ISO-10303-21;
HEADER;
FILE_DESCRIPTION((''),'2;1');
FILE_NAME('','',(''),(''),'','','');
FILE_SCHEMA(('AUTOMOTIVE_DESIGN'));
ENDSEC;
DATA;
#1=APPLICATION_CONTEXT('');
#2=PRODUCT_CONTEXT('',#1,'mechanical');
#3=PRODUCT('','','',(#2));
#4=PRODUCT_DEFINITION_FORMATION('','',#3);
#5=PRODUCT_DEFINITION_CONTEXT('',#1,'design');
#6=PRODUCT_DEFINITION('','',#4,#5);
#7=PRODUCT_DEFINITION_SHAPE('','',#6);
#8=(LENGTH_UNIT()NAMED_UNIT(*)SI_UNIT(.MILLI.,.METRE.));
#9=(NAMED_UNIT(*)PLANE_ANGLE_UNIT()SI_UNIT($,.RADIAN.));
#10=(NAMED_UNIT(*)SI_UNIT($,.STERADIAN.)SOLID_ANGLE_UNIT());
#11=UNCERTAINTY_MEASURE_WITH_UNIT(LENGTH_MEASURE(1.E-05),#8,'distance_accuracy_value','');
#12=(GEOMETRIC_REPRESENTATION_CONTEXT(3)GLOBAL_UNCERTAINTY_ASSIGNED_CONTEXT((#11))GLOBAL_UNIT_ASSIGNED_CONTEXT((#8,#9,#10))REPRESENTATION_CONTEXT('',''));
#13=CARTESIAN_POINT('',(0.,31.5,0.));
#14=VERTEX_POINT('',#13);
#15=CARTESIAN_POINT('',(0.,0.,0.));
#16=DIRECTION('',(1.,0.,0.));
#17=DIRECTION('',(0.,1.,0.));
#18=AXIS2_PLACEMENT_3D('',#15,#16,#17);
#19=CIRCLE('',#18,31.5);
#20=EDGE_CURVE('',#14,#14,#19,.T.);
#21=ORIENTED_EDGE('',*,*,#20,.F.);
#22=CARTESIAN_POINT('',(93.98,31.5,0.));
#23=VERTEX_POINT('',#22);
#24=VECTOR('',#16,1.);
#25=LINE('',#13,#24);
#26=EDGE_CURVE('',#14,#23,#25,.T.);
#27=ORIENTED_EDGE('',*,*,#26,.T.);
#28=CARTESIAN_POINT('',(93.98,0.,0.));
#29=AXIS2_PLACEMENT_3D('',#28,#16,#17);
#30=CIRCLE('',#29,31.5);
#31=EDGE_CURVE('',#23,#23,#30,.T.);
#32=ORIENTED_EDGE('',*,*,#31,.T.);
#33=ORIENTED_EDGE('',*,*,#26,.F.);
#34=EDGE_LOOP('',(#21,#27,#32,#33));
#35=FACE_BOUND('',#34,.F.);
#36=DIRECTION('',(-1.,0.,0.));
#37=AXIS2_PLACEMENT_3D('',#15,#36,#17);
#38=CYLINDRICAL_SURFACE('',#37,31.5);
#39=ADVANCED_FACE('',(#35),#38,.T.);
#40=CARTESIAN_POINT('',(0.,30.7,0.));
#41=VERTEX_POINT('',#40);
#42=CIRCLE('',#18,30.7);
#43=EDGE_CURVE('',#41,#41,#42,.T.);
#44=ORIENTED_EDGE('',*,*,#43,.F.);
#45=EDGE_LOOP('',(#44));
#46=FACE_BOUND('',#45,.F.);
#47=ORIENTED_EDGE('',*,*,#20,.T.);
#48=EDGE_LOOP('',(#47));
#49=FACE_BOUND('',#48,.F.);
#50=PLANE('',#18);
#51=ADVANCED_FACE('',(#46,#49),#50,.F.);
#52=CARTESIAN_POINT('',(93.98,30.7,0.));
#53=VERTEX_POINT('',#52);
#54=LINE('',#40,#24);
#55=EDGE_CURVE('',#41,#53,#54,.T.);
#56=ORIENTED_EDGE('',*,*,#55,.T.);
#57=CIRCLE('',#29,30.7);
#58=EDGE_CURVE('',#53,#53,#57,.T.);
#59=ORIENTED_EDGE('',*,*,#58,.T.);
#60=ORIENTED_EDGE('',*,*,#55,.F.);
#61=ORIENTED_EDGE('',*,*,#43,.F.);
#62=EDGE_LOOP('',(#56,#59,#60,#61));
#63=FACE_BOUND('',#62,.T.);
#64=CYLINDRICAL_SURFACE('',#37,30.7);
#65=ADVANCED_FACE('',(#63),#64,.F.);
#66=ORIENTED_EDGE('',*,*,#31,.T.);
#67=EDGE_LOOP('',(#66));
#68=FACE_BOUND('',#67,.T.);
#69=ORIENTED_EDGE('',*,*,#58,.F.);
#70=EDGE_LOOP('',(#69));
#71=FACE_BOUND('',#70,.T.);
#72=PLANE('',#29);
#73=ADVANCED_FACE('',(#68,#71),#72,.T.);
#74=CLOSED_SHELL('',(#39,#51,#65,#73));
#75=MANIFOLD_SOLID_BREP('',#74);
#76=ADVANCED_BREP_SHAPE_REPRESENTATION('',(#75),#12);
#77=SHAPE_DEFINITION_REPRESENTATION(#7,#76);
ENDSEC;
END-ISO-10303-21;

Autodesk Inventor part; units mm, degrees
ref_plane "YZ Plane" through (0, 0, 0) normal (1, 0, 0) x (0, 1, 0)
ref_plane "XZ Plane" through (0, 0, 0) normal (0, 1, 0) x (-1, 0, 0)
ref_plane "XY Plane" through (0, 0, 0) normal (0, 0, 1) x (1, 0, 0)
sketch "Sketch1" plane through (0, 0, 0) normal (1, 0, 0) x (0, 1, 0)
  circle A0 centre (0, 0) radius 31.5
  circle A1 centre (0, 0) radius 30.7
  dimension "d0" = 63
  dimension "d1" = 0.8
extrude "Extrusion1" add sketch "Sketch1" along normal blind 93.98
equation "\"d0\" = OD"
equation "\"d1\" = t"
equation "\"d2\" = L"
equation "\"OD\" = 63"
equation "\"t\" = 0.8"
equation "\"L\" = PL"
equation "\"ID\" = 61.4"
equation "\"PL\" = 93.98"
properties part number "ISO 4065 Pipe DN63x0.8xS40 - 289.56000000" material "PVC-Piping"
